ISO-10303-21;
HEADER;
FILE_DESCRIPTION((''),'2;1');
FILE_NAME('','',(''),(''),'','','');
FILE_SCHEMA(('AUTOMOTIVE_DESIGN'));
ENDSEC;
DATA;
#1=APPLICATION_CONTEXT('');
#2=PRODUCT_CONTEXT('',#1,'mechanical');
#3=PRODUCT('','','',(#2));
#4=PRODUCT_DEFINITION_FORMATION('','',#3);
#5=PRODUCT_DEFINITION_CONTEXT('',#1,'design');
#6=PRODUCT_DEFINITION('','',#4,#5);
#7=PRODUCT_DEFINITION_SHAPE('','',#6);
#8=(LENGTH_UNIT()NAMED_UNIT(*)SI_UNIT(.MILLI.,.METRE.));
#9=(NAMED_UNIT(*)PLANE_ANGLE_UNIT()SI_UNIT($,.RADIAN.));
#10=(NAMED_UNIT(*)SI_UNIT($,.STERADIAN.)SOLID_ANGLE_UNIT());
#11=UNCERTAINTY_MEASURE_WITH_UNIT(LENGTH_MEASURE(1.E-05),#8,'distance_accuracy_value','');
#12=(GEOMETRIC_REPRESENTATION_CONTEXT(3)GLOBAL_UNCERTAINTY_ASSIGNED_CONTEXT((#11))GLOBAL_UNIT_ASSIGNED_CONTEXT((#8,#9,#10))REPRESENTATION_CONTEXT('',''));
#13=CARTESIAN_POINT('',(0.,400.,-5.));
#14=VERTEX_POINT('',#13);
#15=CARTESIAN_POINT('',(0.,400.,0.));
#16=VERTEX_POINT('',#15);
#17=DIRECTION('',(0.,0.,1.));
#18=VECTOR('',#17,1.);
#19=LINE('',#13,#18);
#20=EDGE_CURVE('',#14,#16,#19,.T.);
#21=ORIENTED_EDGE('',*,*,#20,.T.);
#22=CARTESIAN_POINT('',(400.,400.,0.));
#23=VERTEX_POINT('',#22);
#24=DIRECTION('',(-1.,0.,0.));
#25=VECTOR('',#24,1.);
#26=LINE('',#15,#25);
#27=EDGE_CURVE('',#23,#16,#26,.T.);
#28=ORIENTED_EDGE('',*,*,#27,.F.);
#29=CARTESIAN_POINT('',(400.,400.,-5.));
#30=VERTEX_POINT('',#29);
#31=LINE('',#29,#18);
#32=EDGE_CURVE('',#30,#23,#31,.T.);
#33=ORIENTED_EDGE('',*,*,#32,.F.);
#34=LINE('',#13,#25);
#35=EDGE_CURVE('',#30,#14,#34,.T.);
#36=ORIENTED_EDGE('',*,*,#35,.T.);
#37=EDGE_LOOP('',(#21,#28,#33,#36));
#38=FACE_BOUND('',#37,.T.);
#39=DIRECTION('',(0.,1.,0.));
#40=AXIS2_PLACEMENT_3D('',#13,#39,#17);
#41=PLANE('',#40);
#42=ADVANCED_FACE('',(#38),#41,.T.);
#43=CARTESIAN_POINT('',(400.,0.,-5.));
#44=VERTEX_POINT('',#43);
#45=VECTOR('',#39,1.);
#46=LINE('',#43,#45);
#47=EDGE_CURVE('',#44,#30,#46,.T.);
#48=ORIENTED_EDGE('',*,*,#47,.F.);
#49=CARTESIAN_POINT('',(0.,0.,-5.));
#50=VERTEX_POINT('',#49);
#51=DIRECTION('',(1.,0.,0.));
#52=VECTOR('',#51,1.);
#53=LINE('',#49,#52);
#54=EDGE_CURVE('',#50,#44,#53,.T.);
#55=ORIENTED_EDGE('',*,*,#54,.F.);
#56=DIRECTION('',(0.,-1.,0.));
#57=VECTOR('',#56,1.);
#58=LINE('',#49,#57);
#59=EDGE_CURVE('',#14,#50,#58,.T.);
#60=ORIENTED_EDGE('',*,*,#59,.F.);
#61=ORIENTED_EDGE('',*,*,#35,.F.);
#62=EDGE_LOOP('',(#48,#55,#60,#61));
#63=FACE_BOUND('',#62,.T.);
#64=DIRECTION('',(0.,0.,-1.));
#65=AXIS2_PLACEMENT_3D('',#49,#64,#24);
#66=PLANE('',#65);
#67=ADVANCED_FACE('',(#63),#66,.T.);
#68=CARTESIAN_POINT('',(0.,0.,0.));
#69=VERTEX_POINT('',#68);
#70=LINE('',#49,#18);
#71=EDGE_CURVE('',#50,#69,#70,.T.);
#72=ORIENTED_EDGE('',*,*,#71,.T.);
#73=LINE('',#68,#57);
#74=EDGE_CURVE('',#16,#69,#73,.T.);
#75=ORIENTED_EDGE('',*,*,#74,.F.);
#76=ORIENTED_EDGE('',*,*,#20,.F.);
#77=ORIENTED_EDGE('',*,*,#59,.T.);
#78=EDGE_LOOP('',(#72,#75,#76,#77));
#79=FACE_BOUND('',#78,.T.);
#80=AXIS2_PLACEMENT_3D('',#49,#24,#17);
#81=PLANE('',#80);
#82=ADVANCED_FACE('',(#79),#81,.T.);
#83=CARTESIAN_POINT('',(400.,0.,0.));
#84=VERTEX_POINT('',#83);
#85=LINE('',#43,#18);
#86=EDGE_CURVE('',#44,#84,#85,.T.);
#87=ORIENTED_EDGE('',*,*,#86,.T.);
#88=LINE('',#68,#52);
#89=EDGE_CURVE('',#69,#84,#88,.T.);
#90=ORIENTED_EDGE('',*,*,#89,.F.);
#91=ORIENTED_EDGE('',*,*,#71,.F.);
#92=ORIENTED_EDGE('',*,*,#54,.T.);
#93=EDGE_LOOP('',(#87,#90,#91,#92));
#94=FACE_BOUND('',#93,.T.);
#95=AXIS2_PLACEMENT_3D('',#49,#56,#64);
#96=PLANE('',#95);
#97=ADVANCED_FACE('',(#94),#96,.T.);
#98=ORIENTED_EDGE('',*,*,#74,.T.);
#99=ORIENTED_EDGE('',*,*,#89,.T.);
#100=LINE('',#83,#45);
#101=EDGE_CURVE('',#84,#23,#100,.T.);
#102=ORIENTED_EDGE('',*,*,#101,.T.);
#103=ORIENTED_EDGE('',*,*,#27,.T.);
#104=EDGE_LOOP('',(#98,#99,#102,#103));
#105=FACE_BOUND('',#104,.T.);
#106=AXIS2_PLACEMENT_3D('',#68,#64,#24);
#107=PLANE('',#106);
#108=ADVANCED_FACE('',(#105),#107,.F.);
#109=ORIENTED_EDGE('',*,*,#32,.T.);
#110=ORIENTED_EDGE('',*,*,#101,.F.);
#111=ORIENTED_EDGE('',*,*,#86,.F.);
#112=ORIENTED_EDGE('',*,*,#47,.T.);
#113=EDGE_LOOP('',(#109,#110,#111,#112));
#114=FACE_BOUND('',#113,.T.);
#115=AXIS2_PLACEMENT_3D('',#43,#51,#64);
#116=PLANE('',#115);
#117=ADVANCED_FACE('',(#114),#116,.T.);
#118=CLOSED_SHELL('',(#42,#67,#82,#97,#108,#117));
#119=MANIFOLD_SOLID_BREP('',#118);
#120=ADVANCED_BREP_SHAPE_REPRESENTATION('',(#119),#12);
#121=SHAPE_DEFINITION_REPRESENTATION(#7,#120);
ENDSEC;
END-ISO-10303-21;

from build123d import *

# Parameters (mm, degrees)
ESQUISSE1_W        = 400
ESQUISSE1_H        = 400
BOSS_EXTRU_1_DEPTH = 5


with BuildPart() as part:
    # Esquisse1 → Boss.-Extru.1 (new body)
    with BuildSketch(Plane.XY):
        with Locations((200, 200)):
            Rectangle(ESQUISSE1_W, ESQUISSE1_H)
    extrude(amount=-BOSS_EXTRU_1_DEPTH)


solid = part.part
